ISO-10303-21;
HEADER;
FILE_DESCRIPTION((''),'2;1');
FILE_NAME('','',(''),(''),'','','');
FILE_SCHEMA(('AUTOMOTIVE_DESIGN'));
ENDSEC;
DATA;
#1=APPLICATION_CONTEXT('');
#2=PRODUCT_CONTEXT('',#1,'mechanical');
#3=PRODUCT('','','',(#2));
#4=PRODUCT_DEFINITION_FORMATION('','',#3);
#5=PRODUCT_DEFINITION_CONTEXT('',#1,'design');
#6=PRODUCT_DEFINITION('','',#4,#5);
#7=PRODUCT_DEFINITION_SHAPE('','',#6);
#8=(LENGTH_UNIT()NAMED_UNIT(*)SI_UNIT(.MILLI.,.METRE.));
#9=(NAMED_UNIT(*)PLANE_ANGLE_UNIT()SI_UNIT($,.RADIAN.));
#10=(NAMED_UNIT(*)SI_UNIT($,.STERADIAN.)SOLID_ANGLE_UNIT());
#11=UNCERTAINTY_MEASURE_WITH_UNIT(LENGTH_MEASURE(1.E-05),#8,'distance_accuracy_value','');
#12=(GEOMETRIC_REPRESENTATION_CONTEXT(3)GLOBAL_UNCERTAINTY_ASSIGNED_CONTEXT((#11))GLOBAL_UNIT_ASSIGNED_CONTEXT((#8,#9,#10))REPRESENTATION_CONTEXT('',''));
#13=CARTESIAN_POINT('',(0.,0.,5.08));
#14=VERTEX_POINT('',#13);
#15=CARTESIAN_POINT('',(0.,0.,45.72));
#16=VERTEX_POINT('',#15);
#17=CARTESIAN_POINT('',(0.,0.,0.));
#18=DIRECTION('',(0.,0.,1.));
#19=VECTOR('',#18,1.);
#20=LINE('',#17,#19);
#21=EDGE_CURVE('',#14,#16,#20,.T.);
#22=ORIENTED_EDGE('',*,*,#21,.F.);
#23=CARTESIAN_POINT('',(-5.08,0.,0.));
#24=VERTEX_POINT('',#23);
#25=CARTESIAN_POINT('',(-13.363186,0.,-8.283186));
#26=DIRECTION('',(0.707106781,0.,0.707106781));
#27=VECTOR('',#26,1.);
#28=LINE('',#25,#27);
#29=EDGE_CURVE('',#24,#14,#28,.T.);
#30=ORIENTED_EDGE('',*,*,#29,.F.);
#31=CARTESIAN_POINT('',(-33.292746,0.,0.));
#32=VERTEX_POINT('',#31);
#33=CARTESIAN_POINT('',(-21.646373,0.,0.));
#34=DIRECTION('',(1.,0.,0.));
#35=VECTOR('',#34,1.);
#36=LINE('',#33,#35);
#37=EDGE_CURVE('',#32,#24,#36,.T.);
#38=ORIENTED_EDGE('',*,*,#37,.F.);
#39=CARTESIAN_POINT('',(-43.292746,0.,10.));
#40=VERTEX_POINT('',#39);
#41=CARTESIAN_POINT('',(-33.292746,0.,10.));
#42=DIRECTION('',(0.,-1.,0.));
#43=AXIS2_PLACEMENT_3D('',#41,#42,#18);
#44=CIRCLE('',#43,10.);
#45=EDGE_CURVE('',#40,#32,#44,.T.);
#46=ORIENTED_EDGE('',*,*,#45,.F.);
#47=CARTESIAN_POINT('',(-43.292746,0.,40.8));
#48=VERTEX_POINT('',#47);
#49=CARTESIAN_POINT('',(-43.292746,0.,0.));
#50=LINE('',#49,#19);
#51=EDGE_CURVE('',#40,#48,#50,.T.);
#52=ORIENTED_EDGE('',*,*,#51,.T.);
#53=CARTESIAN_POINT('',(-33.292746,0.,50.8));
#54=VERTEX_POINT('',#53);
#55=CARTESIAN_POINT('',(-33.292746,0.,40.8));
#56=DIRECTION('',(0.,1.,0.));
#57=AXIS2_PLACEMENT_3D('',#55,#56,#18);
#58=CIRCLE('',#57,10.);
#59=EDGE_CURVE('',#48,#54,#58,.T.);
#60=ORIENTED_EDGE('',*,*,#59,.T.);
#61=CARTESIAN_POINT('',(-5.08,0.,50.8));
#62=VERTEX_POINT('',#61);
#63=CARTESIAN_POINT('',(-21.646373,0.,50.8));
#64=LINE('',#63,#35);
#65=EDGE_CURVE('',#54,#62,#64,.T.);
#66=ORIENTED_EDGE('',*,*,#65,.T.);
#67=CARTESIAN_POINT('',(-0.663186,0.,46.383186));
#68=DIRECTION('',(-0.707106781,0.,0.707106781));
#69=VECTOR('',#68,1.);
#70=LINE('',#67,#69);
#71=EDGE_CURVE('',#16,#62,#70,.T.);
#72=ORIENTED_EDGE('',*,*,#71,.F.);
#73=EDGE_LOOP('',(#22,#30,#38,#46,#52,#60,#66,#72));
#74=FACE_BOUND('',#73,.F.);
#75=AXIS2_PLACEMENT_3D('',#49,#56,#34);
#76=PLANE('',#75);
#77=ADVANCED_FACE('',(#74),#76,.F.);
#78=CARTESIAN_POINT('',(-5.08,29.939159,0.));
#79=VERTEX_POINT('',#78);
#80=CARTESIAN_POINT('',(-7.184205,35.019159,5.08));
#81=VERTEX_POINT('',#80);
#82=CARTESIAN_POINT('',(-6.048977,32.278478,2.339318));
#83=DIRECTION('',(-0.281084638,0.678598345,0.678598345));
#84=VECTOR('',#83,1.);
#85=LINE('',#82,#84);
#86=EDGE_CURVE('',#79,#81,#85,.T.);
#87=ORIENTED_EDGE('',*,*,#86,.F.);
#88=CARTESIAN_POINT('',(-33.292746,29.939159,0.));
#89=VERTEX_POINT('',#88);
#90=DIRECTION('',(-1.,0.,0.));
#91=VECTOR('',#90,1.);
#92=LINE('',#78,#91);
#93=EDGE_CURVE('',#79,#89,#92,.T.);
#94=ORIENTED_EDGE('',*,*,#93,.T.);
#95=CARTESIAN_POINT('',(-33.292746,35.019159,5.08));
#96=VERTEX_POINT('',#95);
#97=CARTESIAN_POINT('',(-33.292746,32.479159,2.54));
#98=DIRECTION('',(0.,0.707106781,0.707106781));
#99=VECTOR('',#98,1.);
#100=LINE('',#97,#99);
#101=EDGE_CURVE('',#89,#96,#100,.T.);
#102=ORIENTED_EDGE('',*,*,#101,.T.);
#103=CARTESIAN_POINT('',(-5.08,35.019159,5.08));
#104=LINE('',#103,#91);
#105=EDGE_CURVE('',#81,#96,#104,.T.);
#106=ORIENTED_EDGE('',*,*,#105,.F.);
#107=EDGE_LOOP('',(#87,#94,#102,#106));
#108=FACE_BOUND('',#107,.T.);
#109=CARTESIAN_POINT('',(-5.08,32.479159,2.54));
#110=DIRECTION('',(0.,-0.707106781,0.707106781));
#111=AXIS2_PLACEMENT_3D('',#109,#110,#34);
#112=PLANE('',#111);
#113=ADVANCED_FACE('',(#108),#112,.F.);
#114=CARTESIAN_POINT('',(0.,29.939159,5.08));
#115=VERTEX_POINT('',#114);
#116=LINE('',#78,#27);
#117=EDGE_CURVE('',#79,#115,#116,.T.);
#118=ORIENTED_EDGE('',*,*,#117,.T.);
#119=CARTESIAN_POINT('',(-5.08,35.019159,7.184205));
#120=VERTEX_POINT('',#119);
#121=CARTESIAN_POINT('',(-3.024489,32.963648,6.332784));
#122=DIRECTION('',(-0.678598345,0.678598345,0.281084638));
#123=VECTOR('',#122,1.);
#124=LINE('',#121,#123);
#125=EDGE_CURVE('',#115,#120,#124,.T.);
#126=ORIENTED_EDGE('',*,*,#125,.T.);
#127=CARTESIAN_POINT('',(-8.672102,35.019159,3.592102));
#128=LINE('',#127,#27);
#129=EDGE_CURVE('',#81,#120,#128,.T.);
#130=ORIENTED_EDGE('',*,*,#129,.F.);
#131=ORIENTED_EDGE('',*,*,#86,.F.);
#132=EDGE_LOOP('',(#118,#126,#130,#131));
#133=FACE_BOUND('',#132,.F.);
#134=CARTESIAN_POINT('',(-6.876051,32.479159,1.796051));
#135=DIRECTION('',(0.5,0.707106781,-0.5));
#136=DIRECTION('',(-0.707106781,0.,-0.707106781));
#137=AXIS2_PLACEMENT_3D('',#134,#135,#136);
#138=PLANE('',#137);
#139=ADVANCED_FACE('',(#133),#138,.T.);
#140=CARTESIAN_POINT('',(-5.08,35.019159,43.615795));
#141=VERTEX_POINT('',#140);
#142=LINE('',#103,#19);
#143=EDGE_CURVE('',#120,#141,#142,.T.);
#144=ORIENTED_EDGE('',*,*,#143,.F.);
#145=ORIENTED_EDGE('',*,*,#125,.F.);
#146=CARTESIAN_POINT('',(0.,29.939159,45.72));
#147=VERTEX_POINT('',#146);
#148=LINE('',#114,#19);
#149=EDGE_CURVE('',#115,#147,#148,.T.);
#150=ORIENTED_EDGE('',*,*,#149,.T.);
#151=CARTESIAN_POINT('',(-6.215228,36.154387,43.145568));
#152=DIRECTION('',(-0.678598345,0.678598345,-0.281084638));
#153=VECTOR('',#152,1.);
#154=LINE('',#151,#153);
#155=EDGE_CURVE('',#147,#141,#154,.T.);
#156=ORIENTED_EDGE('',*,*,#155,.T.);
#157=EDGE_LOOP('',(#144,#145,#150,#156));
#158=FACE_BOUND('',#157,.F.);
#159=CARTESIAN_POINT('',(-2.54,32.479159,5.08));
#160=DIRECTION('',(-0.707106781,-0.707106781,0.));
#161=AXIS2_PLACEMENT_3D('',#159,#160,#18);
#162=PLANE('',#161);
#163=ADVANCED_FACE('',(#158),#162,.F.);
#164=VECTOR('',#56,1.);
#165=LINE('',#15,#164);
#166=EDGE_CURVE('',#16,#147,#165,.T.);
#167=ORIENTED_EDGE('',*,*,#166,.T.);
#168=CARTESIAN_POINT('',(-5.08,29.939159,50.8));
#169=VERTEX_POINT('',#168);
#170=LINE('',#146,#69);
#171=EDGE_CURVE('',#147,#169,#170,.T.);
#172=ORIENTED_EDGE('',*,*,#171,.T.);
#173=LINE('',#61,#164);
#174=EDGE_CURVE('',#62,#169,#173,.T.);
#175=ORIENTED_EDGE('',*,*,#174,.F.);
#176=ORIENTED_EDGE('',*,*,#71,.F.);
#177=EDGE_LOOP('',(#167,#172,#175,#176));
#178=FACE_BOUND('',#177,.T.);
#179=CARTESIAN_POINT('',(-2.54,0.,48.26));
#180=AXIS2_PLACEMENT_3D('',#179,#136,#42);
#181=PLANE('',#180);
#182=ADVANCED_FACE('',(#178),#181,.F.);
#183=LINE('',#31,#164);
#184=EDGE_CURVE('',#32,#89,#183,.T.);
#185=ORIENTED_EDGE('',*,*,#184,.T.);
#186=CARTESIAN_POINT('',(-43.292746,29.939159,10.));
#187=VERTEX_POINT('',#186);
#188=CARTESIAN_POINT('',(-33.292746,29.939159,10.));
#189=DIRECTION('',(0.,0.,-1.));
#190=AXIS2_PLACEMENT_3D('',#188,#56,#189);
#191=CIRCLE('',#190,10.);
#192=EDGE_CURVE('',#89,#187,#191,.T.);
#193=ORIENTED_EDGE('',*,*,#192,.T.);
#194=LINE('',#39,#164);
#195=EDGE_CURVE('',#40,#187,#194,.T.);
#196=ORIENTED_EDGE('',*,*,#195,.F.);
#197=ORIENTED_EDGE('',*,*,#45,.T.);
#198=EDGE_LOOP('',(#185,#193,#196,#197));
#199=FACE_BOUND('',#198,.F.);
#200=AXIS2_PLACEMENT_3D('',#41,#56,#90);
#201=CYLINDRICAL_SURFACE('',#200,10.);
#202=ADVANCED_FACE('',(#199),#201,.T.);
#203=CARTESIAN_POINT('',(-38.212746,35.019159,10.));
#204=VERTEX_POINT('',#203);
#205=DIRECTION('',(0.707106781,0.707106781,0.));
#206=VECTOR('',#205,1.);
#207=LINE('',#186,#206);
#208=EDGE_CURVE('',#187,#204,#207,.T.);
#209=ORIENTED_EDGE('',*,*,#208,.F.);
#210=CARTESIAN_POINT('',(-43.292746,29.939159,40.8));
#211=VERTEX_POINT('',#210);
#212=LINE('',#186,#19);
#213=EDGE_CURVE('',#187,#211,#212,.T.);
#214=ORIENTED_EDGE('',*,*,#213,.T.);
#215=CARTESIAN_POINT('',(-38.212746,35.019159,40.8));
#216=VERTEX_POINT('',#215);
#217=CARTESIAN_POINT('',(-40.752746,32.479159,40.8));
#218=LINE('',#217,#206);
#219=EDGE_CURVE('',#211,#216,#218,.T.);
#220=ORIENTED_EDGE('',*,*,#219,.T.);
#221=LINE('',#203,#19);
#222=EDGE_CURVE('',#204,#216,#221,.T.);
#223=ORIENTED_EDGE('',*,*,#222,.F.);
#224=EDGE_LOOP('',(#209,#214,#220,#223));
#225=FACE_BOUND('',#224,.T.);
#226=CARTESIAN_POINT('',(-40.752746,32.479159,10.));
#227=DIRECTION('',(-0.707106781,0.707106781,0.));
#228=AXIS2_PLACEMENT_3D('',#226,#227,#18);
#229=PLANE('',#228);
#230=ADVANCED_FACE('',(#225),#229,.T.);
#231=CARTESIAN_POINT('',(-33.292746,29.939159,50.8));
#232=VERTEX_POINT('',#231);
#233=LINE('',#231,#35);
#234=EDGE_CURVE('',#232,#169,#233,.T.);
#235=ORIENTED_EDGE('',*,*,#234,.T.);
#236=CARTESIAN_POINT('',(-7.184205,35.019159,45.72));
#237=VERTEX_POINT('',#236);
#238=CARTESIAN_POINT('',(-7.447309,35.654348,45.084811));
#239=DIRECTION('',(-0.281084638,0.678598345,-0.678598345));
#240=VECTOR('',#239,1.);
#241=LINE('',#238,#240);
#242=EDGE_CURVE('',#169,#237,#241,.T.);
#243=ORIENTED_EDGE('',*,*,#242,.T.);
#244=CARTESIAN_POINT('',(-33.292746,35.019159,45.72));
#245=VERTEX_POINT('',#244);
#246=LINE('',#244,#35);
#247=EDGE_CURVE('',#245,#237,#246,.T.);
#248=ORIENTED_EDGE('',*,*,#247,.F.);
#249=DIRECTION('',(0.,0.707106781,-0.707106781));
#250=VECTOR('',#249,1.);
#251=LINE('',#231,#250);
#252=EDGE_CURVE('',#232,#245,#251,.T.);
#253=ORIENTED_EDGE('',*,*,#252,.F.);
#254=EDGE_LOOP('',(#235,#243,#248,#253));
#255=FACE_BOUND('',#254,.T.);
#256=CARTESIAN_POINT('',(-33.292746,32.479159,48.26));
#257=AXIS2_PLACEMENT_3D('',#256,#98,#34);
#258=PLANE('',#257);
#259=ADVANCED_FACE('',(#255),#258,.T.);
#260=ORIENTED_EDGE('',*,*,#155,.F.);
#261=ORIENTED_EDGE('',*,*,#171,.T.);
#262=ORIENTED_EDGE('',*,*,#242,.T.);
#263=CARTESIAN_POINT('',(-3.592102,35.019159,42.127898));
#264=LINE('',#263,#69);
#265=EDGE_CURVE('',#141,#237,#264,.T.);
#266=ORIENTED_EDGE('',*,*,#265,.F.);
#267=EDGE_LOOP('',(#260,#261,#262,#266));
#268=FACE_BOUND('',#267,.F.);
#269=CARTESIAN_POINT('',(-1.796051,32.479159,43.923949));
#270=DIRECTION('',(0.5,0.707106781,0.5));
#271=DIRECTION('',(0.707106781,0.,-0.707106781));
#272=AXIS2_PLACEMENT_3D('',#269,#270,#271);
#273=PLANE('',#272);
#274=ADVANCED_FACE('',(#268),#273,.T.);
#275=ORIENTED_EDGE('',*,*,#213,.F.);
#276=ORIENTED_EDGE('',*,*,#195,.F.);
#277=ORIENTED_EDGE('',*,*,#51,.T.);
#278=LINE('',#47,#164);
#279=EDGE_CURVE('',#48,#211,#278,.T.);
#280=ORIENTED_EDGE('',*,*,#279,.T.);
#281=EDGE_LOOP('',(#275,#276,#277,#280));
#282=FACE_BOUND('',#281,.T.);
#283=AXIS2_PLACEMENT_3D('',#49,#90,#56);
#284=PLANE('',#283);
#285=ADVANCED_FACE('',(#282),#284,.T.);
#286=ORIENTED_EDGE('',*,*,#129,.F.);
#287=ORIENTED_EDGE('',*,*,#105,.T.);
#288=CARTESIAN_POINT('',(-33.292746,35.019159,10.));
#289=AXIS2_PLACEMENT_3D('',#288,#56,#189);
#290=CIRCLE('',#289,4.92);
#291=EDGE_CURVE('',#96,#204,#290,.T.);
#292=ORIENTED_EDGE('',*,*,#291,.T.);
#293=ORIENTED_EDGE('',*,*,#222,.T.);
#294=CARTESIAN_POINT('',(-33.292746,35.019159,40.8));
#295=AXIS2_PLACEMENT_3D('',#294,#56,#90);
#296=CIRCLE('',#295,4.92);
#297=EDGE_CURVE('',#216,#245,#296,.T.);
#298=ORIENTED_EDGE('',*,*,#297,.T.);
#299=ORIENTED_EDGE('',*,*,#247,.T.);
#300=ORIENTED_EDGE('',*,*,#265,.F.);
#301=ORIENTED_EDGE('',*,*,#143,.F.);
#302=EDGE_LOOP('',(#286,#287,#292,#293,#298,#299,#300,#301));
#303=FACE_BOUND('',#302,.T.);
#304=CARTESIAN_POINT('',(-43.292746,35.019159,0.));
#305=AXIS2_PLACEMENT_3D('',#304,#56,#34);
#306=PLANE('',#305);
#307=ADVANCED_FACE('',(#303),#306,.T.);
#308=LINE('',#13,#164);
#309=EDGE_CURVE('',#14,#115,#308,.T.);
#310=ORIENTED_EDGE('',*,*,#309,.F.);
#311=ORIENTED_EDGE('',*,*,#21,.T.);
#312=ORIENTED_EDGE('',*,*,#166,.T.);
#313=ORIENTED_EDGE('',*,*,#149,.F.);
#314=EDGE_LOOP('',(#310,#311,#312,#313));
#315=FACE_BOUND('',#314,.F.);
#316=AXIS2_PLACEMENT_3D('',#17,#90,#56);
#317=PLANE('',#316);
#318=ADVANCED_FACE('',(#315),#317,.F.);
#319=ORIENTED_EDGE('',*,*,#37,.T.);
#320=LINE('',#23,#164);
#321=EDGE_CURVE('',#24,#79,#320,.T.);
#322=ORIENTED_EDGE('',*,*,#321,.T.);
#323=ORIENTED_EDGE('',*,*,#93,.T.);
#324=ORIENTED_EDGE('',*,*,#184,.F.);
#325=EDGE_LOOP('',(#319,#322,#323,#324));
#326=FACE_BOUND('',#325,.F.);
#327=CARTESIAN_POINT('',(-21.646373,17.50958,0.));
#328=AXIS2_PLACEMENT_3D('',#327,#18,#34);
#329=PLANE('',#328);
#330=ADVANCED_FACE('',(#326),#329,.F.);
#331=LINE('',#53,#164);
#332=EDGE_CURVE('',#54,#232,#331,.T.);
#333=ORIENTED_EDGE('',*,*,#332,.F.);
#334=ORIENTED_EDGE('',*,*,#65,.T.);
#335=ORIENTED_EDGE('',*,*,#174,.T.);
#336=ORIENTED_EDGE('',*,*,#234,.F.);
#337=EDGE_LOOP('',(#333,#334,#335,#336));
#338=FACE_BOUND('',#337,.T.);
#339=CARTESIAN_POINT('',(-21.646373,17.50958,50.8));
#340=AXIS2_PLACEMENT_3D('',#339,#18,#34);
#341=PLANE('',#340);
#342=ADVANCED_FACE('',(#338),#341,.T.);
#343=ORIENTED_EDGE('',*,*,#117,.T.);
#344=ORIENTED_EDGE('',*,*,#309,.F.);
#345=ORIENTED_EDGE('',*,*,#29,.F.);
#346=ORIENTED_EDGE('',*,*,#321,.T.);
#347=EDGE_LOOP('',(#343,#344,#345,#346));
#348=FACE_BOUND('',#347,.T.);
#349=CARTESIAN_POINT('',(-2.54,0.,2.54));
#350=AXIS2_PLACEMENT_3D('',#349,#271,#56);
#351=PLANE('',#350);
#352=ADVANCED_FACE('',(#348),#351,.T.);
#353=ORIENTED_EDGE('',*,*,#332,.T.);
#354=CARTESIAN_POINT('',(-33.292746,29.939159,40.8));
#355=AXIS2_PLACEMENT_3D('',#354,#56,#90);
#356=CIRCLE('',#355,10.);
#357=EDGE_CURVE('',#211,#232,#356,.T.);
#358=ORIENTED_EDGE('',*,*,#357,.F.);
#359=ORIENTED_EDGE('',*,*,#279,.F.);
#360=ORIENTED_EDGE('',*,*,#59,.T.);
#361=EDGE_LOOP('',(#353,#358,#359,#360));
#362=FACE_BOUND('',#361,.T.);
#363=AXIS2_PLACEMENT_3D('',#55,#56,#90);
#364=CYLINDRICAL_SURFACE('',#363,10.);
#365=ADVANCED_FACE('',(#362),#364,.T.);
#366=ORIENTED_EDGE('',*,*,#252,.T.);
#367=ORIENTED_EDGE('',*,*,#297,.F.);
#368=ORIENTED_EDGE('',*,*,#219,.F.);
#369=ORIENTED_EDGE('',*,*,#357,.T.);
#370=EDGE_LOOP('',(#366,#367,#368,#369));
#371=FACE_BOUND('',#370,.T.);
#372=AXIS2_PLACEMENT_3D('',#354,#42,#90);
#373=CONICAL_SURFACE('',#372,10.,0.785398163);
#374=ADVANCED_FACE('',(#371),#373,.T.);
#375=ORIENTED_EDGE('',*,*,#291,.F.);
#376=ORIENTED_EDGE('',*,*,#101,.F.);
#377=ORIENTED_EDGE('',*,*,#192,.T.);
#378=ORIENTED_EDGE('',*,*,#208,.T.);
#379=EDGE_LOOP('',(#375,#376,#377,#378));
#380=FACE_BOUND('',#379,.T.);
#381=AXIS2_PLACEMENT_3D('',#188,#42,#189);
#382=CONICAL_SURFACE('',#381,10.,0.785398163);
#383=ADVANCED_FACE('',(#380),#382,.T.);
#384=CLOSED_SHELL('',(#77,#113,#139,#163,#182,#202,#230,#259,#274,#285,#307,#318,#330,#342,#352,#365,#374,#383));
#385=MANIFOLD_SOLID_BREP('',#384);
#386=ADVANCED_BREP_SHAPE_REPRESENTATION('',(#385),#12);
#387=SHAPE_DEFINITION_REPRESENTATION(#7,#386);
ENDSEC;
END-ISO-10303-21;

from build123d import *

# Parameters (mm, degrees)
F0_W     = 43.2927459478
F0_H     = 35.019159317
F1_DEPTH = 50.8
F2_R     = 10
F3_R     = 10
F4_SIZE  = 5.08
F5_SIZE  = 5.08
F6_SIZE  = 5.08


with BuildPart() as f1:
    # F0 (on Top) → F1 (new body)
    with BuildSketch(Plane.XY):
        with Locations((-21.6463729739, 17.5095796585)):
            Rectangle(F0_W, F0_H)
    extrude(amount=F1_DEPTH)

    # F2
    f2_edges = [f1.edges().sort_by_distance(p)[0] for p in [
        (-43.292746, 17.50958, 50.8),
    ]]
    fillet(f2_edges, radius=F2_R)

    # F3
    f3_edges = [f1.edges().sort_by_distance(p)[0] for p in [
        (-43.292746, 17.50958, 0),
    ]]
    fillet(f3_edges, radius=F3_R)

    # F4
    f4_edges = [f1.edges().sort_by_distance(p)[0] for p in [
        (0, 17.50958, 0),
    ]]
    chamfer(f4_edges, length=F4_SIZE)

    # F5
    f5_edges = [f1.edges().sort_by_distance(p)[0] for p in [
        (0, 17.50958, 50.8),
    ]]
    chamfer(f5_edges, length=F5_SIZE)

    # F6
    f6_edges = [f1.edges().sort_by_distance(p)[0] for p in [
        (-2.54, 35.019159, 2.54),
        (-19.186373, 35.019159, 50.8),
        (0, 35.019159, 25.4),
        (-40.363814, 35.019159, 47.871068),
        (-19.186373, 35.019159, 0),
        (-2.54, 35.019159, 48.26),
        (-40.363814, 35.019159, 2.928932),
        (-43.292746, 35.019159, 25.4),
    ]]
    chamfer(f6_edges, length=F6_SIZE)


solid = f1.part
